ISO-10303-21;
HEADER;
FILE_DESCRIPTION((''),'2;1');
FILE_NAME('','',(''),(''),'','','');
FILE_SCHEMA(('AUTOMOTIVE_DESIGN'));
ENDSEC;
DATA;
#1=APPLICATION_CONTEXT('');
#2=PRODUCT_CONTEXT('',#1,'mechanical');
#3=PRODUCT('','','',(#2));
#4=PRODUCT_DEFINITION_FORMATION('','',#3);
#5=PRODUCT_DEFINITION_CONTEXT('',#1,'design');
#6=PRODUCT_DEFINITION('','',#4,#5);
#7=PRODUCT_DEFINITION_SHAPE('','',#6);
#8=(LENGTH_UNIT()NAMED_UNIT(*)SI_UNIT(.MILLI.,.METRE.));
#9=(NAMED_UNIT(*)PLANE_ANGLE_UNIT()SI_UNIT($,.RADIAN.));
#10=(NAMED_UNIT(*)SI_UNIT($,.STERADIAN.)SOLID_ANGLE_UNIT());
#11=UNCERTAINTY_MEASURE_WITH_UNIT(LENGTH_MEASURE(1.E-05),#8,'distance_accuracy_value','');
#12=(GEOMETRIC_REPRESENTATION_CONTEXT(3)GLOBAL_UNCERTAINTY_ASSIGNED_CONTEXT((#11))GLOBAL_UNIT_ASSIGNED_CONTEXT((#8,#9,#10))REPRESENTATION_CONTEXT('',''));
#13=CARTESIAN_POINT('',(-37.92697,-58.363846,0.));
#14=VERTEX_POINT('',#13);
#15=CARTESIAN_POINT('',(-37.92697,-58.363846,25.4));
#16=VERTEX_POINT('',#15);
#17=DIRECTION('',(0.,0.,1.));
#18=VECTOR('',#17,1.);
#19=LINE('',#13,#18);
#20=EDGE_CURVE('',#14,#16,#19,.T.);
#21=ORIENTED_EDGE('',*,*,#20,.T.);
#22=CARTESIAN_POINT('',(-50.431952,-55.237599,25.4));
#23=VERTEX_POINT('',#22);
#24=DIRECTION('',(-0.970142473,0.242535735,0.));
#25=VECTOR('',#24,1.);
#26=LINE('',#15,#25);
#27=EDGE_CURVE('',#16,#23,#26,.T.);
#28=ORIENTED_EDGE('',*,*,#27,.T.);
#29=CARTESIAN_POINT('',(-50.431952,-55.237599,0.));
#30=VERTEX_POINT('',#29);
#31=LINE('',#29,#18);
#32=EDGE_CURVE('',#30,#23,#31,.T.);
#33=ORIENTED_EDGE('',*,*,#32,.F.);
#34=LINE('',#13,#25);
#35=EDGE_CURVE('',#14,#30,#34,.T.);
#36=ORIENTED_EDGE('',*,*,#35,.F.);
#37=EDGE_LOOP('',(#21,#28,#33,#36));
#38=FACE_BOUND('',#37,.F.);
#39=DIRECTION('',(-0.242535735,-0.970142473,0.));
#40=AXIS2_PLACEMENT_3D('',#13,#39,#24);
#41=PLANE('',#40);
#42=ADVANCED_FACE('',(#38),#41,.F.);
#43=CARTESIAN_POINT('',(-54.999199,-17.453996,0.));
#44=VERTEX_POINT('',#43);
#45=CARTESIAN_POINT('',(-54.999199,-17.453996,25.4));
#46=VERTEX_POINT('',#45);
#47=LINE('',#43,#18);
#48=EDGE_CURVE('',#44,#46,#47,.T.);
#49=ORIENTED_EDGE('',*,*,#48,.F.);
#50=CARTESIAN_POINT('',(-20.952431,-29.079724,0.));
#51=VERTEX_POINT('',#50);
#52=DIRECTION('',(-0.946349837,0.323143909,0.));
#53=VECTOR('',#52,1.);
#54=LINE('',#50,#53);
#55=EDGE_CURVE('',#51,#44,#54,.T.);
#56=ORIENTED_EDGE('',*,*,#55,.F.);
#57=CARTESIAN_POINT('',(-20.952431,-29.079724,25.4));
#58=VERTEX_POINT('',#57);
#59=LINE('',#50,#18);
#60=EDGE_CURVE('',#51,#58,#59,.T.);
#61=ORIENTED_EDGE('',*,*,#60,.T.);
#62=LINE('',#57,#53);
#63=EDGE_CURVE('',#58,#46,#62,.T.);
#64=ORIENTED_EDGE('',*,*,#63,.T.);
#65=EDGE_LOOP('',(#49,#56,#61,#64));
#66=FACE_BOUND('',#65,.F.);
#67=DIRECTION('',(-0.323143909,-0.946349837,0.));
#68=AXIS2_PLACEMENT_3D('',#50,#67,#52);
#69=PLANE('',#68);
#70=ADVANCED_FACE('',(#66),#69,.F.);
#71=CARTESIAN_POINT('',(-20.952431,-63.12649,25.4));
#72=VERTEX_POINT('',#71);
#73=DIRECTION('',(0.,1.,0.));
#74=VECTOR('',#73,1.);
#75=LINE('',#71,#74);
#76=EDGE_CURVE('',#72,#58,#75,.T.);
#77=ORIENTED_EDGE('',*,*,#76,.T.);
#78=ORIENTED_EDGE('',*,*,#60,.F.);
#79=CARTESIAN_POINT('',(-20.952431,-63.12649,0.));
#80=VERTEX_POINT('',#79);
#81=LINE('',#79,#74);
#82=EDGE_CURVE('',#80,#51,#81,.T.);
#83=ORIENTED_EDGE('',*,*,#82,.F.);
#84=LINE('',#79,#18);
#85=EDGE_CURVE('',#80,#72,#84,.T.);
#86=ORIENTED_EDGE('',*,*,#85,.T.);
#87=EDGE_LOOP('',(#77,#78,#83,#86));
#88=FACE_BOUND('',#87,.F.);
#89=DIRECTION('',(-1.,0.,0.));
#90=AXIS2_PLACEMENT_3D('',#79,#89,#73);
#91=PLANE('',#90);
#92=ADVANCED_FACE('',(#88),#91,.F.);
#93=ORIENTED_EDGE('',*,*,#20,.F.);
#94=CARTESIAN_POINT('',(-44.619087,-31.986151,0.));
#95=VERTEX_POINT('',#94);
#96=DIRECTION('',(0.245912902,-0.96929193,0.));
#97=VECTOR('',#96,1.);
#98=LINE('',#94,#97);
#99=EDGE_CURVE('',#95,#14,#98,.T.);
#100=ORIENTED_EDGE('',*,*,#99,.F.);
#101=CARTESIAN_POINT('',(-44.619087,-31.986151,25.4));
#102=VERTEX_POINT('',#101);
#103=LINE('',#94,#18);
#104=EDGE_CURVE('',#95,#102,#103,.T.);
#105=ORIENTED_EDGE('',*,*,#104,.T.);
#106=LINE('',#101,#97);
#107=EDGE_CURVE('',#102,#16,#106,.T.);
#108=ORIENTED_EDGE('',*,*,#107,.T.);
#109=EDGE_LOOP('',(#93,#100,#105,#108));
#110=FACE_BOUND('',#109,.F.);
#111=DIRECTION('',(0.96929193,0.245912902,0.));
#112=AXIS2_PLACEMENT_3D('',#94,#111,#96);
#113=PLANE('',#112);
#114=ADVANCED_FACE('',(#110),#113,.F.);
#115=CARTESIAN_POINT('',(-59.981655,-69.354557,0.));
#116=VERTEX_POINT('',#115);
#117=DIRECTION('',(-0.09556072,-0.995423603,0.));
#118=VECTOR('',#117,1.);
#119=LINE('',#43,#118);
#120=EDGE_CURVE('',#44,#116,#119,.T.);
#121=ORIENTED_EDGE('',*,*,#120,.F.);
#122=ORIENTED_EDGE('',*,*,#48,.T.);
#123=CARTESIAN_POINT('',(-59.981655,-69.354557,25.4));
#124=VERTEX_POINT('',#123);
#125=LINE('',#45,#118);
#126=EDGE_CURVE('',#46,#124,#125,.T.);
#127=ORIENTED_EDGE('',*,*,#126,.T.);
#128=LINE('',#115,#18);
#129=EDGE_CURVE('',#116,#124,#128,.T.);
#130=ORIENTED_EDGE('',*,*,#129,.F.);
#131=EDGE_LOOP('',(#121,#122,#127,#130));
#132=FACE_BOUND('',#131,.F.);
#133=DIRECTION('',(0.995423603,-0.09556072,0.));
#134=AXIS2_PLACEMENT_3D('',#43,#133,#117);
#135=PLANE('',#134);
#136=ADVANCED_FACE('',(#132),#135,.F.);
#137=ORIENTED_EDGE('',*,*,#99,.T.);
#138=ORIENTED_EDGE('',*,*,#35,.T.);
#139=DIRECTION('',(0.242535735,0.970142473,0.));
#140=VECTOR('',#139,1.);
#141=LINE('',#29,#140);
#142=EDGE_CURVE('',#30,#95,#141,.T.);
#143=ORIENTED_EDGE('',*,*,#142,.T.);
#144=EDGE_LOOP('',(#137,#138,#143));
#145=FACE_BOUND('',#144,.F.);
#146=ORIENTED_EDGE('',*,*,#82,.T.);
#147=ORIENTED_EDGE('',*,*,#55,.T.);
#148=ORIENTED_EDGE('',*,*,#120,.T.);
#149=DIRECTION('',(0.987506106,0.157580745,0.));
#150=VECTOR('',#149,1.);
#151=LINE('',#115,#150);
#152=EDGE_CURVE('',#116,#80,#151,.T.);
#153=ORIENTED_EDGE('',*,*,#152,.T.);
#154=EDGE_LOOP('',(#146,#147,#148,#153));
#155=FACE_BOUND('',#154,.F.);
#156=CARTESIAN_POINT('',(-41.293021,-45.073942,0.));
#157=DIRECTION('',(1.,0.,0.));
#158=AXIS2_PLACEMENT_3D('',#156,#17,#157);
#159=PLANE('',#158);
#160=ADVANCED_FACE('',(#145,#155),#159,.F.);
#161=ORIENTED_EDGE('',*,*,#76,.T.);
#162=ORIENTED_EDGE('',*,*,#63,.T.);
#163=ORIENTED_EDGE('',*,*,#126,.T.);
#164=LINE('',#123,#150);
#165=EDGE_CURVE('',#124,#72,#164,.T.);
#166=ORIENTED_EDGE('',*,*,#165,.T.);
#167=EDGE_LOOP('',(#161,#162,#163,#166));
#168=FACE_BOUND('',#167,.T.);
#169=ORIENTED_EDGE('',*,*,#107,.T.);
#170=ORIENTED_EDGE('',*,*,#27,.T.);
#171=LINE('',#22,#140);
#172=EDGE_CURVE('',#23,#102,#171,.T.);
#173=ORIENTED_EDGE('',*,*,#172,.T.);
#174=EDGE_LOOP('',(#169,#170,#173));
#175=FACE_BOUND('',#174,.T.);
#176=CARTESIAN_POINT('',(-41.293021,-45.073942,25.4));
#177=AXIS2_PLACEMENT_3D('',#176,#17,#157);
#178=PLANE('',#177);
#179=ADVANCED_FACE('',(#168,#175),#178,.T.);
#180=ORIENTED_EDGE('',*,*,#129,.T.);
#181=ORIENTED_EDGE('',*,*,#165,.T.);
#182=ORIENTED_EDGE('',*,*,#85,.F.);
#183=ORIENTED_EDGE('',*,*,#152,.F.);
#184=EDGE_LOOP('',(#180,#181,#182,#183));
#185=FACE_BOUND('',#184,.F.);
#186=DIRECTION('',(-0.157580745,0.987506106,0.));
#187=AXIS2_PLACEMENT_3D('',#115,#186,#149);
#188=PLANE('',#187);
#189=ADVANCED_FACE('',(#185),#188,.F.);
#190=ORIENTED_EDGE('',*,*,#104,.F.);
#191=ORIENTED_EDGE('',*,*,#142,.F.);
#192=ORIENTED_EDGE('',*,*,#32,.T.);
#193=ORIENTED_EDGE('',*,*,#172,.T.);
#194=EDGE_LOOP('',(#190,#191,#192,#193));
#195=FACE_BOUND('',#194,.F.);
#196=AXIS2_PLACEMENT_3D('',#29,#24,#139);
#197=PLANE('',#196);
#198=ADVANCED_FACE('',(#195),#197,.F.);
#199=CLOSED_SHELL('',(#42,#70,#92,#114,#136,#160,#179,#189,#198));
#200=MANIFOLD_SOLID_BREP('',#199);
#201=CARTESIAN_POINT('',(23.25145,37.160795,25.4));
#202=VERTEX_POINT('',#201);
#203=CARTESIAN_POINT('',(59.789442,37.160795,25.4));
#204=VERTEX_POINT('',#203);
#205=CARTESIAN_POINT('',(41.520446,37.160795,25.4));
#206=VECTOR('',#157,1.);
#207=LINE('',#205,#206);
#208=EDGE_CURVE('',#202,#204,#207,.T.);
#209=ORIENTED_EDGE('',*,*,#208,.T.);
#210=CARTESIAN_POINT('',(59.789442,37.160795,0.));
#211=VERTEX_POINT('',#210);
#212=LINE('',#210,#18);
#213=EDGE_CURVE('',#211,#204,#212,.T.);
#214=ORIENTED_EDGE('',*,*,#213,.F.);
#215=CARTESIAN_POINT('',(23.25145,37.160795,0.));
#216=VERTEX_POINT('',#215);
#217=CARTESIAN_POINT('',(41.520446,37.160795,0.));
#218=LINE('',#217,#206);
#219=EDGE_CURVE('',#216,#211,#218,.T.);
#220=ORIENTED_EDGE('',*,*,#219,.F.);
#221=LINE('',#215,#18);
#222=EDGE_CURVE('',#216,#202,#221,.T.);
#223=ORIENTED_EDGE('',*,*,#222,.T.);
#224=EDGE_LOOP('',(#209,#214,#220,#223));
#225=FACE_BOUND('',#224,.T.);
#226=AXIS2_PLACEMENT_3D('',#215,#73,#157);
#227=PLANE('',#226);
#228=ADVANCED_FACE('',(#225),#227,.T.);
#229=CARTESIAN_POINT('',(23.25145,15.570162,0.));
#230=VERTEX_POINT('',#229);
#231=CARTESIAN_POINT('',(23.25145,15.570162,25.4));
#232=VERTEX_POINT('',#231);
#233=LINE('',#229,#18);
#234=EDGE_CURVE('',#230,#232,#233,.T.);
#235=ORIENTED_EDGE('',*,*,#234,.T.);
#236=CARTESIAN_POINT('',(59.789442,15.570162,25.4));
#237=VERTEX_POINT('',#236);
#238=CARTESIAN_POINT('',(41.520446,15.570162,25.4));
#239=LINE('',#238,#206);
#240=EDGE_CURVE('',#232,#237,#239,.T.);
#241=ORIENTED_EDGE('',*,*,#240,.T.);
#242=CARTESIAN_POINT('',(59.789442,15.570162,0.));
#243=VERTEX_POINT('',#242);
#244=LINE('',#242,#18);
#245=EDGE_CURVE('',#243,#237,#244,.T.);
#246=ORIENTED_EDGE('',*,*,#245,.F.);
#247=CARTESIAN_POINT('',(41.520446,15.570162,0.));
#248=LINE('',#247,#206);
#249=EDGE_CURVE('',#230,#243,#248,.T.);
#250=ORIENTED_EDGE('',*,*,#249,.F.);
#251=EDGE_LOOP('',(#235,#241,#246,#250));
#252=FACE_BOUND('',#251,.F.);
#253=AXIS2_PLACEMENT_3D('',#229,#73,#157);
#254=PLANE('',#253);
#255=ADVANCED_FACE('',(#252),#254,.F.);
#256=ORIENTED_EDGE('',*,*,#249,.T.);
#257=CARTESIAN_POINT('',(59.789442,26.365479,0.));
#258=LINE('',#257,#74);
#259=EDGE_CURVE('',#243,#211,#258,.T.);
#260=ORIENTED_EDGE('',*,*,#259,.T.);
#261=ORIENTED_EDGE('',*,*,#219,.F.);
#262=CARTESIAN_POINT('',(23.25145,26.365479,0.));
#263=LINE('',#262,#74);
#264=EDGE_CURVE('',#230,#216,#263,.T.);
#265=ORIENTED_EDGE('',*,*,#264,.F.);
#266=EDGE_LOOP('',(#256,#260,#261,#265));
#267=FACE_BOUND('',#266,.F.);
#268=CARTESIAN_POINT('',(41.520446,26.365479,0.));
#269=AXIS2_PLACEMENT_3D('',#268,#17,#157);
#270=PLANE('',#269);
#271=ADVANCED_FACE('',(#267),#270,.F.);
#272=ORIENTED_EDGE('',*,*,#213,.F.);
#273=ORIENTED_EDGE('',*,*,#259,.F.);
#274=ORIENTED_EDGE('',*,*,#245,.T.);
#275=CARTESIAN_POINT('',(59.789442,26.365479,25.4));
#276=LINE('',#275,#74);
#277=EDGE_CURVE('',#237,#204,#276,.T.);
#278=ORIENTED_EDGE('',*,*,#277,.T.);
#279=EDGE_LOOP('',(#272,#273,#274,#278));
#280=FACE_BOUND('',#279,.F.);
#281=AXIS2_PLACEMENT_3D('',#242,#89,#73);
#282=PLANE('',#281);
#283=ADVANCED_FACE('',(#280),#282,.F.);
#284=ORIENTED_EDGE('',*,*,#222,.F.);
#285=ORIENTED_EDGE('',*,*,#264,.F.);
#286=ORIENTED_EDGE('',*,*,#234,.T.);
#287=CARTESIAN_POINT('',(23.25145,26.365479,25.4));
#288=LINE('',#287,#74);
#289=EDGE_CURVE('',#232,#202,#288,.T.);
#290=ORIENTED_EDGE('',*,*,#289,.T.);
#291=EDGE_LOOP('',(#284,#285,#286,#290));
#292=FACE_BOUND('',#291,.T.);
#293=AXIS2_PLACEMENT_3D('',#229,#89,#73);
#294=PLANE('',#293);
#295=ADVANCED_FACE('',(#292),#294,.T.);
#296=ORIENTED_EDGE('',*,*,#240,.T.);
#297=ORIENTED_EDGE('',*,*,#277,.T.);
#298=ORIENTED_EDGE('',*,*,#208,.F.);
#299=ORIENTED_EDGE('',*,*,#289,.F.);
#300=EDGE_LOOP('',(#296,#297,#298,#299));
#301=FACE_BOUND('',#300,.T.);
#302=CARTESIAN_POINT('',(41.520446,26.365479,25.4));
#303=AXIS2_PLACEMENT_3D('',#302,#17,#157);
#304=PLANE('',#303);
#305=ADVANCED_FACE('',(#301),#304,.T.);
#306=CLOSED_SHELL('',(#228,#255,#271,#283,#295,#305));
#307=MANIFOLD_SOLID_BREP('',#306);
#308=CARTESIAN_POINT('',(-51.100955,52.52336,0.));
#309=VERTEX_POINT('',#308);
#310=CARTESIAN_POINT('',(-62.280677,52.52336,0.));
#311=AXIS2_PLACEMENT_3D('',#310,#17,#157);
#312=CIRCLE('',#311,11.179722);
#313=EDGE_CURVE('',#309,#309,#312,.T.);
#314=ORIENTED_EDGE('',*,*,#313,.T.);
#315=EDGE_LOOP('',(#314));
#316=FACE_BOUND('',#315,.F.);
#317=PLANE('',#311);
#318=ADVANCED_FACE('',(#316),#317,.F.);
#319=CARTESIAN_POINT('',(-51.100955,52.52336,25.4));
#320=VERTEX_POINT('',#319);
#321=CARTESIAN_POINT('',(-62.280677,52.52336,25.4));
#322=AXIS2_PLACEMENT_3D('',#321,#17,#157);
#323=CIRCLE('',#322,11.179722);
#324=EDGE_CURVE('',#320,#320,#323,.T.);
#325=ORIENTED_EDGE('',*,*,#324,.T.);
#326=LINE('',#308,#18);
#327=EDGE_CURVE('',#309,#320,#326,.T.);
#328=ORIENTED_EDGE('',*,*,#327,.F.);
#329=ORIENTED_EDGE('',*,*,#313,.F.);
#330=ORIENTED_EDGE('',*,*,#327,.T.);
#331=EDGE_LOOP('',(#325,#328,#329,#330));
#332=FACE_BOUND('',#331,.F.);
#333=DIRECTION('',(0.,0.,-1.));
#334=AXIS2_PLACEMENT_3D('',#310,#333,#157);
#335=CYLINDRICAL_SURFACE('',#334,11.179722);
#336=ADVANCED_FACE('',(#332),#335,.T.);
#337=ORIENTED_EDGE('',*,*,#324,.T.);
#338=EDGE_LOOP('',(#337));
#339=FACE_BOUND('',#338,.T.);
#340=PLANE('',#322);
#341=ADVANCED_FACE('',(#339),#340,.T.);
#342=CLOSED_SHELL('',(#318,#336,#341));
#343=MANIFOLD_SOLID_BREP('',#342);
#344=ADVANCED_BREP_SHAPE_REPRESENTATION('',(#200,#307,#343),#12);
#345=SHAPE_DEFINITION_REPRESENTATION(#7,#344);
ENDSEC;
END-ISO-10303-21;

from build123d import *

# Parameters (mm, degrees)
F1_DEPTH = 25.4
F2_DEPTH = 25.4
F0_R     = 11.1797222355
F0_W     = 36.5379918367
F0_H     = 21.5906333178
F3_DEPTH = 25.4
F4_DEPTH = 25.4
F5_DEPTH = 25.4


with BuildPart() as f1:
    # F0 (on Top) → F1 (new body)
    with BuildSketch(Plane.XY):
        Polygon((-20.9524314851, -29.0797241032), (-54.9991987646, -17.4539964646), (-59.9816553295, -69.3545565009), (-20.9524314851, -63.1264895201), align=None)
        Polygon((-50.4319518805, -55.2375987172), (-44.6190871298, -31.9861508906), (-37.9269696142, -58.3638457864), align=None, mode=Mode.SUBTRACT)
    extrude(amount=F1_DEPTH)

    # F0 (on Top) → F2 (join)
    with BuildSketch(Plane.XY):
        Polygon((-37.9269696142, -58.3638457864), (-44.6190871298, -31.9861508906), (-50.4319518805, -55.2375987172), align=None)
    extrude(amount=F2_DEPTH)

    # F2_face (on face) + F0 (on Top) → F4 (cut)
    with BuildSketch(Plane(origin=(-40.5293364972, -45.0439800887, 25.4), x_dir=(1, 0, 0), z_dir=(0, 0, 1))):
        Polygon((19.5769050122, 15.9642559855), (-14.4698622673, 27.5899836241), (-19.4523188323, -24.3105764122), (19.5769050122, -18.0825094314), align=None)
    with BuildSketch(Plane.XY):
        Polygon((-37.9269696142, -58.3638457864), (-44.6190871298, -31.9861508906), (-50.4319518805, -55.2375987172), align=None)
    extrude(amount=-F4_DEPTH, mode=Mode.SUBTRACT)


with BuildPart() as f2:
    # F0 (on Top) → F2, piece 2 (new body)
    with BuildSketch(Plane.XY):
        with Locations((-62.280677259, 52.5233596563)):
            Circle(F0_R)
    extrude(amount=F2_DEPTH)


with BuildPart() as f3:
    # F0 (on Top) → F3 (new body)
    with BuildSketch(Plane.XY):
        with Locations((41.5204456076, 26.3654785231)):
            Rectangle(F0_W, F0_H)
    extrude(amount=F3_DEPTH)


with BuildPart() as f5:
    # F0 (on Top) → F5 (new body)
    with BuildSketch(Plane.XY):
        Polygon((-20.9524314851, -29.0797241032), (-54.9991987646, -17.4539964646), (-59.9816553295, -69.3545565009), (-20.9524314851, -63.1264895201), align=None)
        Polygon((-50.4319518805, -55.2375987172), (-44.6190871298, -31.9861508906), (-37.9269696142, -58.3638457864), align=None, mode=Mode.SUBTRACT)
    extrude(amount=F5_DEPTH)


solid = Compound([f2.part, f3.part, f5.part])
